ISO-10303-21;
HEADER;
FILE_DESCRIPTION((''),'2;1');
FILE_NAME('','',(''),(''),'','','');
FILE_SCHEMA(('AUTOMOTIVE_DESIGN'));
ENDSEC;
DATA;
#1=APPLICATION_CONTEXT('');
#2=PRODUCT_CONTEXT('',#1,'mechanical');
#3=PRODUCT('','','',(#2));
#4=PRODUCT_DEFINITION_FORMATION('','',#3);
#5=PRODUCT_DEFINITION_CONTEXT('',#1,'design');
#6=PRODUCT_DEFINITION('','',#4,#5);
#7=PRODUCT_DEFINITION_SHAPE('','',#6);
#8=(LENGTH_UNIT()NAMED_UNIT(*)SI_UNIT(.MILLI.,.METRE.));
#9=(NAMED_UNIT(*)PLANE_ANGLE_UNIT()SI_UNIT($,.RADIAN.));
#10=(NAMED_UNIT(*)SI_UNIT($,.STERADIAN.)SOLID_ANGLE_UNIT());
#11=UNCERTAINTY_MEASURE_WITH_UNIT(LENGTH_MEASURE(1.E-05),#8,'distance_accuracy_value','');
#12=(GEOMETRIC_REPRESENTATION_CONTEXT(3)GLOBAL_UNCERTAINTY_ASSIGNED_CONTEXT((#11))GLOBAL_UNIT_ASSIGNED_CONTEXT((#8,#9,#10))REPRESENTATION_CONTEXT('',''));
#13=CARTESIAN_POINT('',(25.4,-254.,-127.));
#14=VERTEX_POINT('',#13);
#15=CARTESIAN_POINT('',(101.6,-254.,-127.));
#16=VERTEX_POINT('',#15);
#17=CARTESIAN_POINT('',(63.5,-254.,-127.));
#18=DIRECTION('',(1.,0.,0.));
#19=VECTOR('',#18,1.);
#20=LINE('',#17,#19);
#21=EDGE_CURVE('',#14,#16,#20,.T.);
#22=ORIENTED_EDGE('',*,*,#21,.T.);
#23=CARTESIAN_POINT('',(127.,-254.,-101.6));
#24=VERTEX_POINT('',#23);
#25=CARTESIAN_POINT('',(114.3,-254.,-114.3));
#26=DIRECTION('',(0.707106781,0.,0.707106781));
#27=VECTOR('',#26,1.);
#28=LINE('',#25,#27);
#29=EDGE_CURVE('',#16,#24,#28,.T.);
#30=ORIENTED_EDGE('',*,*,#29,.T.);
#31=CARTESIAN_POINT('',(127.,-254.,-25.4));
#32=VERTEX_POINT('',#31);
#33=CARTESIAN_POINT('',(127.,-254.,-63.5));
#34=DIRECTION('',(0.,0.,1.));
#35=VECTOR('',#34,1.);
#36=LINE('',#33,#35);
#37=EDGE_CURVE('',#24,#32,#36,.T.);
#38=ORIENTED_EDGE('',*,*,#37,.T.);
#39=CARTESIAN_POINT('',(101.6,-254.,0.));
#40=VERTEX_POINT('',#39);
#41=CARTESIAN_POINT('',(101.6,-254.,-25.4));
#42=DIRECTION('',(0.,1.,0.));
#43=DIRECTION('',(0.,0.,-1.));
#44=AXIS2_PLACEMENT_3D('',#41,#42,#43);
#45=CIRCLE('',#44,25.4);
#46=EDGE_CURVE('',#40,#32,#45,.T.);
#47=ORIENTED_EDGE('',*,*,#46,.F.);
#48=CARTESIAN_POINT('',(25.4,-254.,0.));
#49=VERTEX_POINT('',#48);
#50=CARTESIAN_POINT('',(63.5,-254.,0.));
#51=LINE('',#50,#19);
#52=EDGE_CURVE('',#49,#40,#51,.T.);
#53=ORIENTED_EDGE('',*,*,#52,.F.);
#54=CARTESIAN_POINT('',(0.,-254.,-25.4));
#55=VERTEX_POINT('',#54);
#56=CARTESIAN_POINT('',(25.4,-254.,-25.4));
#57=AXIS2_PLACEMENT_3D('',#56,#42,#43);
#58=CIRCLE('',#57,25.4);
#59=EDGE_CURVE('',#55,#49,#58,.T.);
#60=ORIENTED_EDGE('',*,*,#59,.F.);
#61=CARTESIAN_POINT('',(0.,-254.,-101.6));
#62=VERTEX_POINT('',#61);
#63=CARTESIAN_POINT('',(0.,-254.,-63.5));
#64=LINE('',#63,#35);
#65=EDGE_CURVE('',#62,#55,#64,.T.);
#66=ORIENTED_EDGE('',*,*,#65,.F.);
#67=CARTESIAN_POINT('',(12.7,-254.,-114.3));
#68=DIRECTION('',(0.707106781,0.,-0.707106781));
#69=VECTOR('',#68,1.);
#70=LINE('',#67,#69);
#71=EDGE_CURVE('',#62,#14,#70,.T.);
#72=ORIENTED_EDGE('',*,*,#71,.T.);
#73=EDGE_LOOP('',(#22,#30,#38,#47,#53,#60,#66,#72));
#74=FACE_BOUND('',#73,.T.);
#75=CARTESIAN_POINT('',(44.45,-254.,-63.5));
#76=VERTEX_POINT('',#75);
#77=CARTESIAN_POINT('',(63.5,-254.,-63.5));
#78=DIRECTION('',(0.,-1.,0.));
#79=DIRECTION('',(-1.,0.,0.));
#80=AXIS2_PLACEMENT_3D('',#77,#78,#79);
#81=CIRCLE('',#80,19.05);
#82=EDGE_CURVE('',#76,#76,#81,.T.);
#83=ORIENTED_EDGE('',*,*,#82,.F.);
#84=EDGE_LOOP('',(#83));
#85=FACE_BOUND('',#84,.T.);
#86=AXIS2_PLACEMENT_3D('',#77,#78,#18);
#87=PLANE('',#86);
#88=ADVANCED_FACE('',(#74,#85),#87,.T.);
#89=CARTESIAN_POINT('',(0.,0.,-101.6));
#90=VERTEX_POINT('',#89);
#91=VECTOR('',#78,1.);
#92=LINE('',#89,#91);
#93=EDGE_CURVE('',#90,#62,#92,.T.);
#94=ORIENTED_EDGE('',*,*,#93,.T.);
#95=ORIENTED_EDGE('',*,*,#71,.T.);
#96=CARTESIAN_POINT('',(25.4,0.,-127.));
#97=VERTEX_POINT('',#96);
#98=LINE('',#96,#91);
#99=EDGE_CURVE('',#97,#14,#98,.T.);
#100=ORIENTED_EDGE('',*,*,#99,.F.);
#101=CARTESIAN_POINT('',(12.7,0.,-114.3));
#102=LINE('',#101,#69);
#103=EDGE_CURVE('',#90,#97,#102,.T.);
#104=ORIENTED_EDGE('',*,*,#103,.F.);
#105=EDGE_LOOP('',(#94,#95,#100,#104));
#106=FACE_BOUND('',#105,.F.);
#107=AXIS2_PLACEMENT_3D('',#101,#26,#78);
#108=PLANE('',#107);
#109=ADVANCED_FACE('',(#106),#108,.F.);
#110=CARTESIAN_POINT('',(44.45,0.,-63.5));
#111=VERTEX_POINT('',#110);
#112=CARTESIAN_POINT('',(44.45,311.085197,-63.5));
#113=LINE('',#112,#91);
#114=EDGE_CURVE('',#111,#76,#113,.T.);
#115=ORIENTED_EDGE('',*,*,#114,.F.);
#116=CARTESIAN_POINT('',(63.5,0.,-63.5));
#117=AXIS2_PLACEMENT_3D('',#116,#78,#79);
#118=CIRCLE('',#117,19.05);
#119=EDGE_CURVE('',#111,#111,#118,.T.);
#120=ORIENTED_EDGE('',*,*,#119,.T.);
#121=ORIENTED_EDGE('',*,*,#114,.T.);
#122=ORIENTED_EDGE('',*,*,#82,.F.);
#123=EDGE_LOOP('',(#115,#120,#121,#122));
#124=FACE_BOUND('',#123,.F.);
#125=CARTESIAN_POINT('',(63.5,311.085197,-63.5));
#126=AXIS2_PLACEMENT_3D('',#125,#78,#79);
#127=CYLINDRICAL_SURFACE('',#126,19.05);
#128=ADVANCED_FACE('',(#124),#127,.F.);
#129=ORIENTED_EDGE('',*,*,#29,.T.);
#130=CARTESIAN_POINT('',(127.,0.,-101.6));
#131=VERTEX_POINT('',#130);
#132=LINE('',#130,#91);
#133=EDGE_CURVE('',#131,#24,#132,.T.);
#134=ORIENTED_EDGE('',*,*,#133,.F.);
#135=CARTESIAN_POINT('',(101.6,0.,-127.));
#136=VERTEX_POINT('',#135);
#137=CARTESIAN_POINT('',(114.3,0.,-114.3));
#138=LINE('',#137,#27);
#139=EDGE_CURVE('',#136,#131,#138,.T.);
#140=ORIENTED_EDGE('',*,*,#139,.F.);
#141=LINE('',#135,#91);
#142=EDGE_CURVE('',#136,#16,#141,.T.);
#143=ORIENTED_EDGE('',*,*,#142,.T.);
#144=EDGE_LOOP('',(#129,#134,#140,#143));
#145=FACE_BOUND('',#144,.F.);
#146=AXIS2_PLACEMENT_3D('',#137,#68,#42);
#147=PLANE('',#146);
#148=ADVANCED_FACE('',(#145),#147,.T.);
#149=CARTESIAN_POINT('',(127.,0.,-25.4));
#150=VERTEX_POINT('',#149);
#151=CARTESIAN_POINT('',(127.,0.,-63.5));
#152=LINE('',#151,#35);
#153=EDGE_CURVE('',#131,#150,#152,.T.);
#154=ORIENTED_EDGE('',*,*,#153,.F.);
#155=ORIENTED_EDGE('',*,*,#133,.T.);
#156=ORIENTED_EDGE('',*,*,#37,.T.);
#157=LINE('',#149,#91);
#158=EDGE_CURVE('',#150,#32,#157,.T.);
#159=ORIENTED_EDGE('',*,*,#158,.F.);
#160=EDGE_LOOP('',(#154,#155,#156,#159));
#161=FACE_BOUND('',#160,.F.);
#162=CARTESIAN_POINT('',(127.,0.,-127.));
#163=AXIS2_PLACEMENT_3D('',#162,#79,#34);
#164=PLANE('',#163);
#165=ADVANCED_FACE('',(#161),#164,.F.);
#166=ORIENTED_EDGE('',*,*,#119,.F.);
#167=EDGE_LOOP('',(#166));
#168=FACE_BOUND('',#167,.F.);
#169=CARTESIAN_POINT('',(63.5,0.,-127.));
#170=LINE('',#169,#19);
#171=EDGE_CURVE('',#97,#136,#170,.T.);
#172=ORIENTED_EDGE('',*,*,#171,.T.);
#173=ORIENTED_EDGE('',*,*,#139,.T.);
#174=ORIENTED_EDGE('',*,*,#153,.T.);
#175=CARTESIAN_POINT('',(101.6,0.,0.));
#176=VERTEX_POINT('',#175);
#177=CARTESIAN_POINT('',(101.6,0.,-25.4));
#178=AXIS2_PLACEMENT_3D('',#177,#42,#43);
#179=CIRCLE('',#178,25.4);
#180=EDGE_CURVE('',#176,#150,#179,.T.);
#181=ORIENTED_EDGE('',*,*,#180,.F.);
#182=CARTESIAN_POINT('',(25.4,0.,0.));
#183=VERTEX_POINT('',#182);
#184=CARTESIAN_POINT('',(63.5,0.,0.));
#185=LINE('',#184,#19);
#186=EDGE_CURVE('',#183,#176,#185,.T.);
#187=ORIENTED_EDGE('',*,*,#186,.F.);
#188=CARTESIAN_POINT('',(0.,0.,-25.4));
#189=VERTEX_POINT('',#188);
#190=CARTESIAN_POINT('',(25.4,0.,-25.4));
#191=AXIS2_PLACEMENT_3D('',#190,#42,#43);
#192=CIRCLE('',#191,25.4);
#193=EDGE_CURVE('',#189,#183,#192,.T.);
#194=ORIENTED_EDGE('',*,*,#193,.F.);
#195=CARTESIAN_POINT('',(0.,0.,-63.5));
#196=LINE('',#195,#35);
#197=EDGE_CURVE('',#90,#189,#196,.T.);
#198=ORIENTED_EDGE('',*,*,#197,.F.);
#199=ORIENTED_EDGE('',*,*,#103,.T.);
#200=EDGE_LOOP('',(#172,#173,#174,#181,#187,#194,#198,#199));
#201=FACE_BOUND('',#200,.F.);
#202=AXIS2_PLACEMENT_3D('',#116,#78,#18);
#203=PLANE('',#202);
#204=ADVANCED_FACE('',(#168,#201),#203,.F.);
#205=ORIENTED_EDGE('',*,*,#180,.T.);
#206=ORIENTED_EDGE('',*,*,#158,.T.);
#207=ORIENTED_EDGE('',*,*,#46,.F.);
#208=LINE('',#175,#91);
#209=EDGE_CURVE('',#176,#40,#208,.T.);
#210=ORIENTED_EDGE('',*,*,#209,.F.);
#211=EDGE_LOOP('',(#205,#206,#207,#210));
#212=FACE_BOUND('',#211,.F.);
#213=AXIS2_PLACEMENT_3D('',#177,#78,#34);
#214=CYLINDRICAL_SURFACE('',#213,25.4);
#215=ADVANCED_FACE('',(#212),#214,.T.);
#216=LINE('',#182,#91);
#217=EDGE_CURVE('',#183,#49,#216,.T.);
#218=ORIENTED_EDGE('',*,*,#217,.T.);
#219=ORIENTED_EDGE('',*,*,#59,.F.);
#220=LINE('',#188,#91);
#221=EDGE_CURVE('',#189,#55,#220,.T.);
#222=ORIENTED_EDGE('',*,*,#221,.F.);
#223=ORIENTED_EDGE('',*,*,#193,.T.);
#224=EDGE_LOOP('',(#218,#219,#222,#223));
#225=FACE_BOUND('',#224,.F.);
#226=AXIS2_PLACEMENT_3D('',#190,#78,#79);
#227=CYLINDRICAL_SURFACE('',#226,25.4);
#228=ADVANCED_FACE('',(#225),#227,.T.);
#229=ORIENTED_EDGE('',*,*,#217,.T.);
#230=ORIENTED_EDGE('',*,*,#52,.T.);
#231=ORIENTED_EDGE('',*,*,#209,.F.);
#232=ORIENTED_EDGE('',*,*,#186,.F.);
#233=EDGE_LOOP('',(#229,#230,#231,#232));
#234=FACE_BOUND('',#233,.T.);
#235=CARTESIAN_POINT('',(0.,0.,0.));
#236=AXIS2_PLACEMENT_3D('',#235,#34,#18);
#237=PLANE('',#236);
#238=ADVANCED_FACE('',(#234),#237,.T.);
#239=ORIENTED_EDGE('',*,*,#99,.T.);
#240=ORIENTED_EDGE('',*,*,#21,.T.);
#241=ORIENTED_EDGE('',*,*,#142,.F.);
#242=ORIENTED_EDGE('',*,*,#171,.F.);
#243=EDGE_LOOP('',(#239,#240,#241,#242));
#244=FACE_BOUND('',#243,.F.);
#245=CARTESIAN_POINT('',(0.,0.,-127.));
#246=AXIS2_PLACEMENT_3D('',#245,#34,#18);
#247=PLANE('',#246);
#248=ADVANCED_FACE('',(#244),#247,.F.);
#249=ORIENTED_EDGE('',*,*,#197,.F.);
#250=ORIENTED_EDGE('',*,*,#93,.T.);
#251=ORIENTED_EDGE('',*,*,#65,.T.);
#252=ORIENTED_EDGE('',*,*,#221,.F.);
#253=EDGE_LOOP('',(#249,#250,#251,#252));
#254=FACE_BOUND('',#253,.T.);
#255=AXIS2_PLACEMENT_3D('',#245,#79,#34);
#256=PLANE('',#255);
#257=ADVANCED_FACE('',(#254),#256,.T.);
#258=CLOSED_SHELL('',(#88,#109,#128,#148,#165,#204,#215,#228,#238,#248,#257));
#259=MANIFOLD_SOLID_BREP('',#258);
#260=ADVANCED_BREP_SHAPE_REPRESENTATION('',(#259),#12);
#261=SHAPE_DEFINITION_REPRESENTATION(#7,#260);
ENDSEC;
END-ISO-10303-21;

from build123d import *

# Parameters (mm, degrees)
F0_W     = 127
F0_H     = 127
F1_DEPTH = 254
F3_D     = 38.1
F4_R     = 25.4
F5_SIZE  = 25.4


with BuildPart() as f1:
    # F0 (on Front) → F1 (new body)
    with BuildSketch(Plane.XZ):
        with Locations((63.5, -63.5)):
            Rectangle(F0_W, F0_H)
    extrude(amount=F1_DEPTH)

    # F3 (through all)
    with Locations(Plane(origin=(0, 0, 0), x_dir=(1, 0, 0), z_dir=(0, 1, 0))):
        with Locations((63.5, 63.5)):
            Hole(F3_D / 2)

    # F4
    f4_edges = [f1.edges().sort_by_distance(p)[0] for p in [
        (127, -127, 0),
        (0, -127, 0),
    ]]
    fillet(f4_edges, radius=F4_R)

    # F5
    f5_edges = [f1.edges().sort_by_distance(p)[0] for p in [
        (127, -127, -127),
        (0, -127, -127),
    ]]
    chamfer(f5_edges, length=F5_SIZE)


solid = f1.part
